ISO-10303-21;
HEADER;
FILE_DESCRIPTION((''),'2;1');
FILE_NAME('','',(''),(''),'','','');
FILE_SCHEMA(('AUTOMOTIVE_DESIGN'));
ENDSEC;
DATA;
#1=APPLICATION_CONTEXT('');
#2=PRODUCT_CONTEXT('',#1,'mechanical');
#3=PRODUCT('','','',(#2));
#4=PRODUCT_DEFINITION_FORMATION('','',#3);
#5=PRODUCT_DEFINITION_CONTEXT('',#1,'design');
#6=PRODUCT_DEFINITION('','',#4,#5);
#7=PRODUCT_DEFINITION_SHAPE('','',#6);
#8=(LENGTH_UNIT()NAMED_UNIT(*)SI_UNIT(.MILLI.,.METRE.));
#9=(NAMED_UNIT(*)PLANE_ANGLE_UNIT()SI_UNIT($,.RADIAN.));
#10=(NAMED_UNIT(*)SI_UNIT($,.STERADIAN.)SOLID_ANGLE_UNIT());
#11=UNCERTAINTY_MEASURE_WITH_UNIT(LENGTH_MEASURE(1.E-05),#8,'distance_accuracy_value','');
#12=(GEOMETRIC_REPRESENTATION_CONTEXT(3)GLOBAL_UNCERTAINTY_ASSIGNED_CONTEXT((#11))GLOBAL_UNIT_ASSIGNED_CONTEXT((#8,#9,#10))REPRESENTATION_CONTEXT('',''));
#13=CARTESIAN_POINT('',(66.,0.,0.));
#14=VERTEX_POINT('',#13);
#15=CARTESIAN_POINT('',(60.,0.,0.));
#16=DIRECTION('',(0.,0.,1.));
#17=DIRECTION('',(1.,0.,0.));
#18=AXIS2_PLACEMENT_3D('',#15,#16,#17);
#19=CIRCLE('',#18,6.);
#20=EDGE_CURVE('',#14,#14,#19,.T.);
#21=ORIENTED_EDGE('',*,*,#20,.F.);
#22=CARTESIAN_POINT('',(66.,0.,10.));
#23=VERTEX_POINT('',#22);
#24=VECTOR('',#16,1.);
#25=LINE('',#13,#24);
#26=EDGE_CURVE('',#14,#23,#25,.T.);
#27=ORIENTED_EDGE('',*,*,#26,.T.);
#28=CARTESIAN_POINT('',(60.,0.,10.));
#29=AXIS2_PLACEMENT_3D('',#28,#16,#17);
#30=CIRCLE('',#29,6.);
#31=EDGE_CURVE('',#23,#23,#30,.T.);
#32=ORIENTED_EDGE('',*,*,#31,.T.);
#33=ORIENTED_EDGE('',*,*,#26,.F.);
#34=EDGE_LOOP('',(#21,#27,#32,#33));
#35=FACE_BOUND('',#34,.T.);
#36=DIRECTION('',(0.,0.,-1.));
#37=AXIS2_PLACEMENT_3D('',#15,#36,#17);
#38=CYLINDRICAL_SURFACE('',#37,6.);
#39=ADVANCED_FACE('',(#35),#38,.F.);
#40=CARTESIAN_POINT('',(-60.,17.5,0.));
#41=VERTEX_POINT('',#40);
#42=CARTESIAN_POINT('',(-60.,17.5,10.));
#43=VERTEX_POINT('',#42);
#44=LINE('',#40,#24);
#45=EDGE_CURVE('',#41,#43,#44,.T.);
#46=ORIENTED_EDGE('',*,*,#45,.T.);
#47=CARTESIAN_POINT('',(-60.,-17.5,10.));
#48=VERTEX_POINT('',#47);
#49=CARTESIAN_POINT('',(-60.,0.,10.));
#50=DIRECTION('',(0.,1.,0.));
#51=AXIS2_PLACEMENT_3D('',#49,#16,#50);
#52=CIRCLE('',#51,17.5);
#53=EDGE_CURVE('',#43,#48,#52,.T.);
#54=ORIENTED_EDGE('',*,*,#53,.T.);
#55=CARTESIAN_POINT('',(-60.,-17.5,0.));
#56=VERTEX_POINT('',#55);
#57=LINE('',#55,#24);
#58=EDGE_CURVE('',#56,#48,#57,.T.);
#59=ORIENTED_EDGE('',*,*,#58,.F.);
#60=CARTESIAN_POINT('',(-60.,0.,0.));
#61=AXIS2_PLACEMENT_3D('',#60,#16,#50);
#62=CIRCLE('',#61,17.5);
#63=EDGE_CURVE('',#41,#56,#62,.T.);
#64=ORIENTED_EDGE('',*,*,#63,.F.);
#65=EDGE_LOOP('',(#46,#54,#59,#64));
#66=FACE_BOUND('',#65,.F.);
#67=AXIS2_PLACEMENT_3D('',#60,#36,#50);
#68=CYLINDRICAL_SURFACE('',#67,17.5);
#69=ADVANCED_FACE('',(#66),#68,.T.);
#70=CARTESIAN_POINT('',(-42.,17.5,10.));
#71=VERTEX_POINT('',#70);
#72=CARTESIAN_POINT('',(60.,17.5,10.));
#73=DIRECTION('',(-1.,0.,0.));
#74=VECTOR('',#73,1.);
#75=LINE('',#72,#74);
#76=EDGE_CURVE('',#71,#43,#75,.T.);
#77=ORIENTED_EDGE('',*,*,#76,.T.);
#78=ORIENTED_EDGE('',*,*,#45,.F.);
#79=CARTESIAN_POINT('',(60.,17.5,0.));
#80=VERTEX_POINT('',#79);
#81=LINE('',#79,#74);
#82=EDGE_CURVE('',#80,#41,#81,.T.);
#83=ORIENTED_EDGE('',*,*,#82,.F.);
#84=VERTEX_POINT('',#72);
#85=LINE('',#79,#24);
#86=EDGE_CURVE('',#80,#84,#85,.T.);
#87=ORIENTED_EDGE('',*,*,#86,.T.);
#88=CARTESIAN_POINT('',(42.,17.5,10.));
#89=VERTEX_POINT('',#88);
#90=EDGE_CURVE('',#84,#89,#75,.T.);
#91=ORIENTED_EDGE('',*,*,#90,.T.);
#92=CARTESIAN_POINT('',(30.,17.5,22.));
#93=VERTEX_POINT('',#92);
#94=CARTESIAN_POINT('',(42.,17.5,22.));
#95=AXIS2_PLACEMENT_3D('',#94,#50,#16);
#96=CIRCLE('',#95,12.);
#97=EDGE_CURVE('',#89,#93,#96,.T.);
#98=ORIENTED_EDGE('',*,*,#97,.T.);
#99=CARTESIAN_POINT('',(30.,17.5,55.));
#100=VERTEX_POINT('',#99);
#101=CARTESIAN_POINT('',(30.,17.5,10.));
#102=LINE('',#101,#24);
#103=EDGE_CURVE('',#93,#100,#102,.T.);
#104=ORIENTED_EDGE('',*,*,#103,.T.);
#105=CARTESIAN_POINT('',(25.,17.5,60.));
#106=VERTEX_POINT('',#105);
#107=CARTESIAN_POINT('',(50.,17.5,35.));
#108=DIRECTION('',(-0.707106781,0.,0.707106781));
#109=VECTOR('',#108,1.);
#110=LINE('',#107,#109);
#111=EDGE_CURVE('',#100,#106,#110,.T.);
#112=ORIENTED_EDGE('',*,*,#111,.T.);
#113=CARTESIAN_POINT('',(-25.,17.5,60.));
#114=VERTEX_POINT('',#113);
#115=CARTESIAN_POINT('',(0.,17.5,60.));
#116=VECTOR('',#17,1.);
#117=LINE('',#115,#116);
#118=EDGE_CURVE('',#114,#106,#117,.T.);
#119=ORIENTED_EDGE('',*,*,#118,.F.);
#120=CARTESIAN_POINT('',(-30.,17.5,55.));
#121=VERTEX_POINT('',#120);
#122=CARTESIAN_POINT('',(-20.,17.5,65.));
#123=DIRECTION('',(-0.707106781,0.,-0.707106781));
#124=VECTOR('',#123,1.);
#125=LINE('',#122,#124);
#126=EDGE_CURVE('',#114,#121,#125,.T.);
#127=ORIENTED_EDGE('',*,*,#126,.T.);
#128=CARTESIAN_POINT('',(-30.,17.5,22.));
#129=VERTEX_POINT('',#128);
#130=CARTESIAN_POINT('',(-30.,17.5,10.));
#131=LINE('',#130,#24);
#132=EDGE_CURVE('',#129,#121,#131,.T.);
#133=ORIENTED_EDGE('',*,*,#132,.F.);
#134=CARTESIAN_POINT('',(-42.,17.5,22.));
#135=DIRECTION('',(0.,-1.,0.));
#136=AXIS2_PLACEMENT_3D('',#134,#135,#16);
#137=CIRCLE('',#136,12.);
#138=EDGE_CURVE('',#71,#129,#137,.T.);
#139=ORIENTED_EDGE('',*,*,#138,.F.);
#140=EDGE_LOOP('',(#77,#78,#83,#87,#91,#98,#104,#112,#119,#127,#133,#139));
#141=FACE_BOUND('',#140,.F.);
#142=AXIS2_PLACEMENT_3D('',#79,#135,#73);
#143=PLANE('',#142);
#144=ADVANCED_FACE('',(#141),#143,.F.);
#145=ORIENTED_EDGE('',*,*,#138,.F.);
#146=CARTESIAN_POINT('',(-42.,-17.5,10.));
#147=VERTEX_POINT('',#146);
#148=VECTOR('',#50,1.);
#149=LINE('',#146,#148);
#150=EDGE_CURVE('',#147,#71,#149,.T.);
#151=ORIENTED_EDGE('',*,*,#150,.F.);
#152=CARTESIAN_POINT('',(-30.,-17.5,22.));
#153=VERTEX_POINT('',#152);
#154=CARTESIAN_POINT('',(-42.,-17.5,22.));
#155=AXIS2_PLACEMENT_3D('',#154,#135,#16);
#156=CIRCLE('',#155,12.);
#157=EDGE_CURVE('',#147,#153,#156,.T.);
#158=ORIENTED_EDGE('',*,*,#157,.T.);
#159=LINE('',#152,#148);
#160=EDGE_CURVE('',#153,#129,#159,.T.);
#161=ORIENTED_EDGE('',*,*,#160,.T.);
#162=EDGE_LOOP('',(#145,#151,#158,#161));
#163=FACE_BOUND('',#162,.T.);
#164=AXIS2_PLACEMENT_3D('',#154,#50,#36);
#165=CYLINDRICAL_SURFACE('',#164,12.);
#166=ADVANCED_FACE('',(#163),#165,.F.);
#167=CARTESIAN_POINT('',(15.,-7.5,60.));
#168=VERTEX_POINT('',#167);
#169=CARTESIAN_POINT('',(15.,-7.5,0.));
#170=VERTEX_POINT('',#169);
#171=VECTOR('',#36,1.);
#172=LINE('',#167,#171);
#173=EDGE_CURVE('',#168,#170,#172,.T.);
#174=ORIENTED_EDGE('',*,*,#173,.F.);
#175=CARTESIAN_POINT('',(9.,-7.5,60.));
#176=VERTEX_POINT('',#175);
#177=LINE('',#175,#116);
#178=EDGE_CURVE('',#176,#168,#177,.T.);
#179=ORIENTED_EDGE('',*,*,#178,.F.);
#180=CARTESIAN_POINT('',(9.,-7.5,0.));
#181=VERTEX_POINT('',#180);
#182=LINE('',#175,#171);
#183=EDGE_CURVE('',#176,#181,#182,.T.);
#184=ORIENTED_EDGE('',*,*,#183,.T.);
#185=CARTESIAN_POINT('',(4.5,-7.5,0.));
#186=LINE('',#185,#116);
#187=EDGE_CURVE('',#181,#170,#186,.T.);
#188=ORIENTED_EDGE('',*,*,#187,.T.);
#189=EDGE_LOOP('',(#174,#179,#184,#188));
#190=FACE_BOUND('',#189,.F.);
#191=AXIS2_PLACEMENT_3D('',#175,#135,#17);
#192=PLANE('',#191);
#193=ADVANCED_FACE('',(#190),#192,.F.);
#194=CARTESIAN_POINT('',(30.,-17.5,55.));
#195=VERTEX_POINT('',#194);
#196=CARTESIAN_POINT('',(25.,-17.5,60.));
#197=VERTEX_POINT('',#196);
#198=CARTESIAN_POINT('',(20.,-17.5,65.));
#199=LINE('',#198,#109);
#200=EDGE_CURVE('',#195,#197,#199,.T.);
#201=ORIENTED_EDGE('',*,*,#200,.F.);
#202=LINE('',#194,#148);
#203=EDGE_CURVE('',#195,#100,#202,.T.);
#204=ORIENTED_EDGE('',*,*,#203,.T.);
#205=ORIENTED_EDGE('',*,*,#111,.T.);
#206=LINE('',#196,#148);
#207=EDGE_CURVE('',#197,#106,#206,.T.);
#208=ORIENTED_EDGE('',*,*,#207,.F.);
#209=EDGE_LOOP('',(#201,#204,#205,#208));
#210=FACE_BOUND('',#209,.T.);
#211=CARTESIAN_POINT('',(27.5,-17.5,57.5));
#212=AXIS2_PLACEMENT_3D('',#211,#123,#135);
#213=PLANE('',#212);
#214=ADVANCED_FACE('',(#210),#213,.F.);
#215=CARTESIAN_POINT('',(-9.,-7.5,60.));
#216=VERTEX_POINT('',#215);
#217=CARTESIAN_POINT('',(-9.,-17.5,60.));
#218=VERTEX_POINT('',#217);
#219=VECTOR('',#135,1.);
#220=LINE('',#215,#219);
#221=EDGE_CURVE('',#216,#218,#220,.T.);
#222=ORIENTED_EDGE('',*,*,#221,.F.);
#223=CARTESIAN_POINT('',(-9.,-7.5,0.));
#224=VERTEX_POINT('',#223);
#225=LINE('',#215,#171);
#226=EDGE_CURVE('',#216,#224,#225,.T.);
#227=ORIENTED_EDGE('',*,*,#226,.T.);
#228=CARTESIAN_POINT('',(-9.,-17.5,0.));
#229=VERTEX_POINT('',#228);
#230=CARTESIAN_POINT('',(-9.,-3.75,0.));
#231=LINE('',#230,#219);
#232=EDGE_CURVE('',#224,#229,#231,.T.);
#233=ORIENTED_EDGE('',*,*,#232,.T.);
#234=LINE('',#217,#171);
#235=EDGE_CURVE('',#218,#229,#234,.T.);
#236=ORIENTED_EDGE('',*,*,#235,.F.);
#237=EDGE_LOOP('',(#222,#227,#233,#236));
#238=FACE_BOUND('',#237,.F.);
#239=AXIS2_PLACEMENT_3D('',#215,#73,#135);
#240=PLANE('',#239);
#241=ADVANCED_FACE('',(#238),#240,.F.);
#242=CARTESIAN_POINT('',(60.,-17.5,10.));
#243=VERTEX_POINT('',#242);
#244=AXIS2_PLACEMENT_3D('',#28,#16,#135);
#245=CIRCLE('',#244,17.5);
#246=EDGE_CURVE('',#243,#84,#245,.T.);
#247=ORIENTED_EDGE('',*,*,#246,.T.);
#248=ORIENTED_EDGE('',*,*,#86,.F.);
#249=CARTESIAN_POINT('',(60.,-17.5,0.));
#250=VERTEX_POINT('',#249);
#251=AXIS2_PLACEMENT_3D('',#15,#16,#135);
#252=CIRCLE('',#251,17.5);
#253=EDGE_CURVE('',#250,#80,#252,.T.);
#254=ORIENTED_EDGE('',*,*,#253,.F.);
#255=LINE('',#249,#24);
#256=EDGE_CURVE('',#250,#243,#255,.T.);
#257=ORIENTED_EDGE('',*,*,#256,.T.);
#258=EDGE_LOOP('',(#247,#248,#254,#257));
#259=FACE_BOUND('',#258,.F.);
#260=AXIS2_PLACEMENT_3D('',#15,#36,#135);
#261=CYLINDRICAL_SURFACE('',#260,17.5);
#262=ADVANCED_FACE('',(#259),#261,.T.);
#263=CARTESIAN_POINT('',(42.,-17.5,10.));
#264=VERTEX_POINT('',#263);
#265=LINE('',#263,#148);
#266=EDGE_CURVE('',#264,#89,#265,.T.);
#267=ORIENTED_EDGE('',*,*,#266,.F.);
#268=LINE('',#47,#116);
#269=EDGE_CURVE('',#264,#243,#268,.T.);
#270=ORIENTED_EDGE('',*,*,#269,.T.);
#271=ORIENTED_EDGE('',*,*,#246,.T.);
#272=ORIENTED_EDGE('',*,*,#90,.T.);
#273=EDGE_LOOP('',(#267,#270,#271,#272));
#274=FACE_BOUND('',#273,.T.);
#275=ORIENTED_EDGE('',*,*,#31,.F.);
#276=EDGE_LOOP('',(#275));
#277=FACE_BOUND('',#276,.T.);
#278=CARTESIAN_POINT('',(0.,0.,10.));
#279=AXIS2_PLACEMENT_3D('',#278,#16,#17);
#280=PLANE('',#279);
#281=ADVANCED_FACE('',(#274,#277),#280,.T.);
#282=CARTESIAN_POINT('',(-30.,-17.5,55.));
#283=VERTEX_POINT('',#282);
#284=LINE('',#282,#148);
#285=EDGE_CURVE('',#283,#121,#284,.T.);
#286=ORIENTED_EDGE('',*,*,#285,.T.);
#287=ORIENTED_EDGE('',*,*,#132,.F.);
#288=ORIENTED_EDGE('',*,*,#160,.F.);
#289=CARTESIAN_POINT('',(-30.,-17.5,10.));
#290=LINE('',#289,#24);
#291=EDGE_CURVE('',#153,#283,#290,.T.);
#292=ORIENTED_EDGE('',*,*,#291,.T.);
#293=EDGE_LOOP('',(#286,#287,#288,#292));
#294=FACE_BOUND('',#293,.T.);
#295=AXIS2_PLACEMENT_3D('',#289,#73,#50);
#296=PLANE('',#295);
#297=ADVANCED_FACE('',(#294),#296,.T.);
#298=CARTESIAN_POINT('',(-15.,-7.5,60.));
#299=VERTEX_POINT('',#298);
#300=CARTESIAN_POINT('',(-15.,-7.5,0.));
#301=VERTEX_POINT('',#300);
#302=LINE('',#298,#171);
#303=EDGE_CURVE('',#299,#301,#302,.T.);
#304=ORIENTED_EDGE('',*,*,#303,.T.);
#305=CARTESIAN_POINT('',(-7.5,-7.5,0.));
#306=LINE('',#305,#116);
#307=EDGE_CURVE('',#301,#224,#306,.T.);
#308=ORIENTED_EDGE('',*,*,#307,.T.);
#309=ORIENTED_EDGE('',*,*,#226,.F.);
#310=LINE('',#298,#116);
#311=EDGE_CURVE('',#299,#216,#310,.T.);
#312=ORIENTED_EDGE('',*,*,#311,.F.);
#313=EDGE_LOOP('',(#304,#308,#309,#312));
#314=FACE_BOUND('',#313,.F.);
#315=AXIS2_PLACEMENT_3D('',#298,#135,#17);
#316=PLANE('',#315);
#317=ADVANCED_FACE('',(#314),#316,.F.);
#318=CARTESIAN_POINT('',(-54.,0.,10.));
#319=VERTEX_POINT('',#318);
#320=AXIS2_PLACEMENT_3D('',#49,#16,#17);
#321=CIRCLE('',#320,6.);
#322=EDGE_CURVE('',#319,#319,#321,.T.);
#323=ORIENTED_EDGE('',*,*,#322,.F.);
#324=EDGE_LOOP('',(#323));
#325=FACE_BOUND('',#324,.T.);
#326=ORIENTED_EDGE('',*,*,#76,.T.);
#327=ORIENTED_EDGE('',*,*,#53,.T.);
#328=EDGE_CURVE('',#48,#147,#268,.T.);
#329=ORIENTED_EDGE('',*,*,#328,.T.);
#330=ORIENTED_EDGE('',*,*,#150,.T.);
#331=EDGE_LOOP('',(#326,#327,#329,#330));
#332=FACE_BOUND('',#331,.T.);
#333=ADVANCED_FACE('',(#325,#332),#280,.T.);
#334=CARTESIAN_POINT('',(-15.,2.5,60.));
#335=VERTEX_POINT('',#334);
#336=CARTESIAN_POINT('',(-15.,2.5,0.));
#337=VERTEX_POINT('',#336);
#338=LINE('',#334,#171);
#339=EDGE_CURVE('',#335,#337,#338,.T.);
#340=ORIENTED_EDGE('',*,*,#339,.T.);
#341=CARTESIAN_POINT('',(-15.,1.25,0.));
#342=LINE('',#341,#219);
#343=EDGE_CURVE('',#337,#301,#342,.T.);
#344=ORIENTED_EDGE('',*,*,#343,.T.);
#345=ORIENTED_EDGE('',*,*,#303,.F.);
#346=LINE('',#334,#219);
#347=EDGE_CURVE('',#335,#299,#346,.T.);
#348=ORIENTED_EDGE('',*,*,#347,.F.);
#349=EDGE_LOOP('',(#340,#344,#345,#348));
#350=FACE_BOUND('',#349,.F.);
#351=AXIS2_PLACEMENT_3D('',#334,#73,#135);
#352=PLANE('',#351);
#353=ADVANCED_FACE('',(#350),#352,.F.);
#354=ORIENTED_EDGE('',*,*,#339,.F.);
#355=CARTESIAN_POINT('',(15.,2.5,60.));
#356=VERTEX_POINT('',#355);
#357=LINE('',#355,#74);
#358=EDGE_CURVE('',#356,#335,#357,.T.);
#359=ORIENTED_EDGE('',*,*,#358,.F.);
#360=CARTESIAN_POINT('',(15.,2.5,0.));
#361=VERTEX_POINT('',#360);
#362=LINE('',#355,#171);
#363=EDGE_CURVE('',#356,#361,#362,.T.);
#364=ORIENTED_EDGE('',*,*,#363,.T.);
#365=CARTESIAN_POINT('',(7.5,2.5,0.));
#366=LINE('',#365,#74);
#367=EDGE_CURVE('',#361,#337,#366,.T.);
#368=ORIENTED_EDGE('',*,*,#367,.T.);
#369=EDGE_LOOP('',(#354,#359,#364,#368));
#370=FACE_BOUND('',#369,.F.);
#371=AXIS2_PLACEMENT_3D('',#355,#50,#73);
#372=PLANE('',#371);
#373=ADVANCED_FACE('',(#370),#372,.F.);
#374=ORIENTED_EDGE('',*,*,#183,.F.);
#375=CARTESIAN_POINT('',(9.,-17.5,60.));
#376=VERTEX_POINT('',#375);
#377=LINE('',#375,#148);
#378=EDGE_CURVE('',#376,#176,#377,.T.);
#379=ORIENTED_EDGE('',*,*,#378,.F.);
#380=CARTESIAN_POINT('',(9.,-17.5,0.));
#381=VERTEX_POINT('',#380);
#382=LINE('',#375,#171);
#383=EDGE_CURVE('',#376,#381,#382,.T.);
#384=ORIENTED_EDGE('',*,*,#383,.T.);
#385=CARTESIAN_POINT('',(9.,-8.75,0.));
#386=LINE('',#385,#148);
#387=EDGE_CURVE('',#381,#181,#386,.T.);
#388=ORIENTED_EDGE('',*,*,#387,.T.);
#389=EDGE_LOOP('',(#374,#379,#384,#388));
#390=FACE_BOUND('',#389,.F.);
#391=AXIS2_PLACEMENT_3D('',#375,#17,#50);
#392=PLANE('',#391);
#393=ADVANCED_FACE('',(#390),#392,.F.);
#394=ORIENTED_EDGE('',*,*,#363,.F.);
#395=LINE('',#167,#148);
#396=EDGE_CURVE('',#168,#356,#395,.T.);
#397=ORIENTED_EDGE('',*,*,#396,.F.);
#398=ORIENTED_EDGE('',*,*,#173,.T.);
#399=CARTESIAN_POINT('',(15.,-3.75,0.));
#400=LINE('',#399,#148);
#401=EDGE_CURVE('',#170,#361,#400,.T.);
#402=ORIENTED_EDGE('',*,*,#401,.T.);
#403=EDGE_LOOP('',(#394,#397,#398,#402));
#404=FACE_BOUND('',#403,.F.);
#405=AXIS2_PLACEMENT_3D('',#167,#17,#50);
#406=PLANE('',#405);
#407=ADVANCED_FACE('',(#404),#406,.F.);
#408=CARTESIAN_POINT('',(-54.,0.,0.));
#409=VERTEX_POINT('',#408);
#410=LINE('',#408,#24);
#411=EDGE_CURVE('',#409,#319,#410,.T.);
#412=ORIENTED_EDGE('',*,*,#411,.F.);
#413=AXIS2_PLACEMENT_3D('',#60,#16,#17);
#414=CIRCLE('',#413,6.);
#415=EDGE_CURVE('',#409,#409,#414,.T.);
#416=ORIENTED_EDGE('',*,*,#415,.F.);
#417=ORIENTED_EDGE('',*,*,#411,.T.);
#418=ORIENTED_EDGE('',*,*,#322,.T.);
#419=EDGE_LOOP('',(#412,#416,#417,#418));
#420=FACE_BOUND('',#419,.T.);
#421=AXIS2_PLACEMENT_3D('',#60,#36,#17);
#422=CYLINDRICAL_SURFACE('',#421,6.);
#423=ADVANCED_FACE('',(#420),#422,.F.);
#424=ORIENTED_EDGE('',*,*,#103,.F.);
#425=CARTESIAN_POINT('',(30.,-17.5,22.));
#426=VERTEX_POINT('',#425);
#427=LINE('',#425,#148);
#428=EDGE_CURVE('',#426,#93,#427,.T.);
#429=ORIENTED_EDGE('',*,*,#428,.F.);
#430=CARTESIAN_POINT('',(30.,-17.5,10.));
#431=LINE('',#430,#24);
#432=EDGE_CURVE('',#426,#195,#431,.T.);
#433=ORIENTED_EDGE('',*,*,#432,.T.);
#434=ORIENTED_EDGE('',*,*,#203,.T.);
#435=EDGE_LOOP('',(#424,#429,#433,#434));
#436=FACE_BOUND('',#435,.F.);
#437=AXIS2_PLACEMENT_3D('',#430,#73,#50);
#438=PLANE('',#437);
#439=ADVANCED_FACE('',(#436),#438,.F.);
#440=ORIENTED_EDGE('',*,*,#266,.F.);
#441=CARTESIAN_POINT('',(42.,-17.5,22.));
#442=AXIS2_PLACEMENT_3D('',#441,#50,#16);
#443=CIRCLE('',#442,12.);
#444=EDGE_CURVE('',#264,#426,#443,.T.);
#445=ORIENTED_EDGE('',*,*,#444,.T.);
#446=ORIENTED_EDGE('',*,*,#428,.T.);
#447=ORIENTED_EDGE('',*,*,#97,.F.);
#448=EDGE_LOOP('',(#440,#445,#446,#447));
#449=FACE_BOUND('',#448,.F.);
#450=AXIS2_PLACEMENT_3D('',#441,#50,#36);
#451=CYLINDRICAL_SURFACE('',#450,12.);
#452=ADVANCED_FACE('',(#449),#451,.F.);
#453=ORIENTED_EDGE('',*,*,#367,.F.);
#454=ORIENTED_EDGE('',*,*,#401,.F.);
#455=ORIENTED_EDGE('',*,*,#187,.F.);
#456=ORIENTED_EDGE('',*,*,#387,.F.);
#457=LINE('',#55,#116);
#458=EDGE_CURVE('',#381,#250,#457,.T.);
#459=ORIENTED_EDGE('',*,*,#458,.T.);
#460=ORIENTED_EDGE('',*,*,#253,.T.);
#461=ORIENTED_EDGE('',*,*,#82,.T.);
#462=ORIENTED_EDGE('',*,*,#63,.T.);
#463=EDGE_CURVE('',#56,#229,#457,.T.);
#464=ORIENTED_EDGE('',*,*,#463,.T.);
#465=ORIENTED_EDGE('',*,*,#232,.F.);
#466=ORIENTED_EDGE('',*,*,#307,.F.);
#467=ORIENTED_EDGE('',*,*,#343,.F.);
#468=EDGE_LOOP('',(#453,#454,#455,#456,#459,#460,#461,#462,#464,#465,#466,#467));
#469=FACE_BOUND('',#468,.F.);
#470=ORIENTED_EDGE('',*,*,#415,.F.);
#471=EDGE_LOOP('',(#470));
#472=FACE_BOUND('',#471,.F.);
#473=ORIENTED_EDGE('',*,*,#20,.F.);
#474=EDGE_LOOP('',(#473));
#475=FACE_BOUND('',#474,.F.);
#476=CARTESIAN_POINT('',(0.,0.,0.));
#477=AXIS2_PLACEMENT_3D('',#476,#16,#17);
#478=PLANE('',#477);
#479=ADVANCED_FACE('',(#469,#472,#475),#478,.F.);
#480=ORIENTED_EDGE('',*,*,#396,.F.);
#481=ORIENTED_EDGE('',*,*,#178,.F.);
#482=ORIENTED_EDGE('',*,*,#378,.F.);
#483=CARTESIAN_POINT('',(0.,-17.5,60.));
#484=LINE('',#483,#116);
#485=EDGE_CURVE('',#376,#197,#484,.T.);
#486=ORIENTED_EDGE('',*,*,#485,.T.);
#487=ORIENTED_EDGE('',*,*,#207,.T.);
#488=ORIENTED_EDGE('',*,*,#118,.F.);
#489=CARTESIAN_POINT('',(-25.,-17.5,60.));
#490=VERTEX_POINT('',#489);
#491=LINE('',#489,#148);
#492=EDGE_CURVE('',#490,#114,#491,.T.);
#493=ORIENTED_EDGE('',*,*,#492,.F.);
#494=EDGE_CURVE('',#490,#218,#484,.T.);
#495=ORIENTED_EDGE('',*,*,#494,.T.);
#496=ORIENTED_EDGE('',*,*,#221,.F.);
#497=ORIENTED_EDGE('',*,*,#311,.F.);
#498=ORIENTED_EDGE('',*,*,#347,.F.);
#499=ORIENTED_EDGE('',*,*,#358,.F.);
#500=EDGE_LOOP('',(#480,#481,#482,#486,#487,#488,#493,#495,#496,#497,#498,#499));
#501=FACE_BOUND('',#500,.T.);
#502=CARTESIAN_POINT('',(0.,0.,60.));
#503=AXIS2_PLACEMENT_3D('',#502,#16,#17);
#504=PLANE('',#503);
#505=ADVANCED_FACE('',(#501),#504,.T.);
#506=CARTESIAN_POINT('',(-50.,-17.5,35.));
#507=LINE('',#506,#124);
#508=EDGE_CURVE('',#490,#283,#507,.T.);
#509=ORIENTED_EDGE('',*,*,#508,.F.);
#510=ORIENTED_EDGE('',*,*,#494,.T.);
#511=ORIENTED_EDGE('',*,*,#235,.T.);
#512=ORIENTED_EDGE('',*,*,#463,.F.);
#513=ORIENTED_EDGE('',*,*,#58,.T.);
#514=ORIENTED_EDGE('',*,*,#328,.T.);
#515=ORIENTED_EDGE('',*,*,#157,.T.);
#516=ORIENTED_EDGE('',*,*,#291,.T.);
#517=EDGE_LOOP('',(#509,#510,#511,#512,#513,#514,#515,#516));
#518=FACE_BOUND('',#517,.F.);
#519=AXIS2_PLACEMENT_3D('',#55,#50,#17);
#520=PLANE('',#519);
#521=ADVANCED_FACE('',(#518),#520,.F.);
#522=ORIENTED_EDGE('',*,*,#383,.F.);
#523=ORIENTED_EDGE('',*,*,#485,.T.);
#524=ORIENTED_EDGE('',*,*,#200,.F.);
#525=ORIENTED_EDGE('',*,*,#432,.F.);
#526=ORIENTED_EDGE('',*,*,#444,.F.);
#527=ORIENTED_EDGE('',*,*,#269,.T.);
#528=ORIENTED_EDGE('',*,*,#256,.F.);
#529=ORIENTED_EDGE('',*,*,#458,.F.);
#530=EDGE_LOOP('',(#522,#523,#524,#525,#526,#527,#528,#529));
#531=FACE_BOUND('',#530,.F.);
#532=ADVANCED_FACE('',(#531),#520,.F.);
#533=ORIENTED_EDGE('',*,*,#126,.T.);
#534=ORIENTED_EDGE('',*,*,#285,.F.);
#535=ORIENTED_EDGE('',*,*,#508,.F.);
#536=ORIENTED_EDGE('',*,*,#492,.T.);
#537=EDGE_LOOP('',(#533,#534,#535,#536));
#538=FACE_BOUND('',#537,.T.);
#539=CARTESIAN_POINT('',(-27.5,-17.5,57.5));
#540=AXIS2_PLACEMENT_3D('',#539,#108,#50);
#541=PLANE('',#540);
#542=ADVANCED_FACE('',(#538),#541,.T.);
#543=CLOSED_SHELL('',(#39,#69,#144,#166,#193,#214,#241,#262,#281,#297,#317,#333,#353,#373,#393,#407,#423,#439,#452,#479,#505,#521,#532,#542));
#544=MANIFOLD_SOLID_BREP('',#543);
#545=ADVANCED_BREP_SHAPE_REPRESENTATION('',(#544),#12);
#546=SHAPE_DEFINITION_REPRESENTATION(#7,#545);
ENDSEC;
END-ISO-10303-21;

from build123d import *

# Parameters (mm, degrees)
F0_R     = 6
F1_DEPTH = 10
F2_W     = 60
F2_H     = 35
F3_DEPTH = 50
F4_R     = 12
F5_SIZE2 = 5
F5_SIZE  = 5
F7_DEPTH = 60.001


with BuildPart() as f1:
    # F0 (on Top) → F1 (new body)
    with BuildSketch(Plane.XY):
        with BuildLine():
            Line((60, 17.5), (-60, 17.5))
            ThreePointArc((-60, 17.5), (-77.5, 0), (-60, -17.5))
            Line((-60, -17.5), (60, -17.5))
            ThreePointArc((60, -17.5), (77.5, 0), (60, 17.5))
        make_face()
        with Locations((-60, 0)):
            Circle(F0_R, mode=Mode.SUBTRACT)
        with Locations((60, 0)):
            Circle(F0_R, mode=Mode.SUBTRACT)
    extrude(amount=F1_DEPTH)

    # F2 (on face) → F3 (join)
    with BuildSketch(Plane.XY.offset(10)):
        Rectangle(F2_W, F2_H)
    extrude(amount=F3_DEPTH)

    # F4
    f4_edges = [f1.edges().sort_by_distance(p)[0] for p in [
        (30, 0, 10),
        (-30, 0, 10),
    ]]
    fillet(f4_edges, radius=F4_R)

    # F5
    f5_edges = [f1.edges().sort_by_distance(p)[0] for p in [
        (30, 0, 60),
        (-30, 0, 60),
    ]]
    chamfer(f5_edges, length=F5_SIZE, length2=F5_SIZE2)

    # F6 (on face) → F7 (cut, through all)
    with BuildSketch(Plane.XY.offset(60)):
        Polygon((-9, -7.5), (-9, -17.5), (9, -17.5), (9, -7.5), (15, -7.5), (15, 2.5), (-15, 2.5), (-15, -7.5), align=None)
    extrude(amount=-F7_DEPTH, mode=Mode.SUBTRACT)


solid = f1.part
